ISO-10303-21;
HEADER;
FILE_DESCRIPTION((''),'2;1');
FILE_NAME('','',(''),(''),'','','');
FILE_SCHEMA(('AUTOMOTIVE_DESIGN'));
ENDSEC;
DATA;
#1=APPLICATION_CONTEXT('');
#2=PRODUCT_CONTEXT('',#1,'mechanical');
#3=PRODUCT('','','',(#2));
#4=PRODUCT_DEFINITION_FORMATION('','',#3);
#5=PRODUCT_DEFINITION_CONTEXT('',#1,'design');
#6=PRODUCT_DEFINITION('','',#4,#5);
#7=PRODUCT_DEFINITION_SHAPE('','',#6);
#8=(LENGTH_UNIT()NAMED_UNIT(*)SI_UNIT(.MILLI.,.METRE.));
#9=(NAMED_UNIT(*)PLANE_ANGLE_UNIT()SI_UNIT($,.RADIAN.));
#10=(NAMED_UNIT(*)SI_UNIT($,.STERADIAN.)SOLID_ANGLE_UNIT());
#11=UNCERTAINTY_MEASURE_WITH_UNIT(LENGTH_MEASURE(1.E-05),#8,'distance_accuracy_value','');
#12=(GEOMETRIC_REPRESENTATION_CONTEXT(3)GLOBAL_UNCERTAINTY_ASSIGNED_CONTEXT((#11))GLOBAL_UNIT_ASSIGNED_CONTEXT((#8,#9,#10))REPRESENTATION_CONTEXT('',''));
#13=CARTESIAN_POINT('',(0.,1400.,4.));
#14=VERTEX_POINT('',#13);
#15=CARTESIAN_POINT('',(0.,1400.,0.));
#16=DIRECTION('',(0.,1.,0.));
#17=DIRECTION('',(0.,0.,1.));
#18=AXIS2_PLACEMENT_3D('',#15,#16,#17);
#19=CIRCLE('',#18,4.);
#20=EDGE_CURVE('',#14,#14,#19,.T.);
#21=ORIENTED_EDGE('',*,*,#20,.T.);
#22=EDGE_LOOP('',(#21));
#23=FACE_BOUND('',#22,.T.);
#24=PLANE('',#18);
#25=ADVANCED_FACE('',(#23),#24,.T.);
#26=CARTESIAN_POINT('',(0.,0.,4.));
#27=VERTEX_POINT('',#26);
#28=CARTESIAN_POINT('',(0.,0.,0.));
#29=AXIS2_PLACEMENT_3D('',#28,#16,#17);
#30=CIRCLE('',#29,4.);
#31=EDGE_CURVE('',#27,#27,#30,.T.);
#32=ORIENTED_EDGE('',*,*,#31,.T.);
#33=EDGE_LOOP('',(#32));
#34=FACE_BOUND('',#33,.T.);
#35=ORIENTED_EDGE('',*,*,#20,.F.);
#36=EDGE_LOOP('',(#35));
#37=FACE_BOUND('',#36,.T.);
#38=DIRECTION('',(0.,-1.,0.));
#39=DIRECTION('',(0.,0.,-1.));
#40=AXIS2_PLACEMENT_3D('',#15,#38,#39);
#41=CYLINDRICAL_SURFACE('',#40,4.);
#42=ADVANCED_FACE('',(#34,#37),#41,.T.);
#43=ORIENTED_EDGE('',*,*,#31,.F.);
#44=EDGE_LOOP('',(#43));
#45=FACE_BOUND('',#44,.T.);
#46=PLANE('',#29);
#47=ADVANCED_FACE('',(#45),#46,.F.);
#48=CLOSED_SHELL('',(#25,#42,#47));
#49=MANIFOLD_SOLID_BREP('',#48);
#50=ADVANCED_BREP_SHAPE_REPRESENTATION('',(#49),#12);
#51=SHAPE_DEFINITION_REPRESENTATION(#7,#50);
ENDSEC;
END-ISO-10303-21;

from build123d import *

# Parameters (mm, degrees)
IZIM1_R                     = 4
Y_KSEKLIK_EKSTR_ZYON1_DEPTH = 1400


with BuildPart() as part:
    # Çizim1 → Yükseklik-Ekstrüzyon1 (new body)
    with BuildSketch(Plane(origin=(0, 0, 0), x_dir=(1, 0, 0), z_dir=(0, 1, 0))):
        Circle(IZIM1_R)
    extrude(amount=Y_KSEKLIK_EKSTR_ZYON1_DEPTH)


solid = part.part
